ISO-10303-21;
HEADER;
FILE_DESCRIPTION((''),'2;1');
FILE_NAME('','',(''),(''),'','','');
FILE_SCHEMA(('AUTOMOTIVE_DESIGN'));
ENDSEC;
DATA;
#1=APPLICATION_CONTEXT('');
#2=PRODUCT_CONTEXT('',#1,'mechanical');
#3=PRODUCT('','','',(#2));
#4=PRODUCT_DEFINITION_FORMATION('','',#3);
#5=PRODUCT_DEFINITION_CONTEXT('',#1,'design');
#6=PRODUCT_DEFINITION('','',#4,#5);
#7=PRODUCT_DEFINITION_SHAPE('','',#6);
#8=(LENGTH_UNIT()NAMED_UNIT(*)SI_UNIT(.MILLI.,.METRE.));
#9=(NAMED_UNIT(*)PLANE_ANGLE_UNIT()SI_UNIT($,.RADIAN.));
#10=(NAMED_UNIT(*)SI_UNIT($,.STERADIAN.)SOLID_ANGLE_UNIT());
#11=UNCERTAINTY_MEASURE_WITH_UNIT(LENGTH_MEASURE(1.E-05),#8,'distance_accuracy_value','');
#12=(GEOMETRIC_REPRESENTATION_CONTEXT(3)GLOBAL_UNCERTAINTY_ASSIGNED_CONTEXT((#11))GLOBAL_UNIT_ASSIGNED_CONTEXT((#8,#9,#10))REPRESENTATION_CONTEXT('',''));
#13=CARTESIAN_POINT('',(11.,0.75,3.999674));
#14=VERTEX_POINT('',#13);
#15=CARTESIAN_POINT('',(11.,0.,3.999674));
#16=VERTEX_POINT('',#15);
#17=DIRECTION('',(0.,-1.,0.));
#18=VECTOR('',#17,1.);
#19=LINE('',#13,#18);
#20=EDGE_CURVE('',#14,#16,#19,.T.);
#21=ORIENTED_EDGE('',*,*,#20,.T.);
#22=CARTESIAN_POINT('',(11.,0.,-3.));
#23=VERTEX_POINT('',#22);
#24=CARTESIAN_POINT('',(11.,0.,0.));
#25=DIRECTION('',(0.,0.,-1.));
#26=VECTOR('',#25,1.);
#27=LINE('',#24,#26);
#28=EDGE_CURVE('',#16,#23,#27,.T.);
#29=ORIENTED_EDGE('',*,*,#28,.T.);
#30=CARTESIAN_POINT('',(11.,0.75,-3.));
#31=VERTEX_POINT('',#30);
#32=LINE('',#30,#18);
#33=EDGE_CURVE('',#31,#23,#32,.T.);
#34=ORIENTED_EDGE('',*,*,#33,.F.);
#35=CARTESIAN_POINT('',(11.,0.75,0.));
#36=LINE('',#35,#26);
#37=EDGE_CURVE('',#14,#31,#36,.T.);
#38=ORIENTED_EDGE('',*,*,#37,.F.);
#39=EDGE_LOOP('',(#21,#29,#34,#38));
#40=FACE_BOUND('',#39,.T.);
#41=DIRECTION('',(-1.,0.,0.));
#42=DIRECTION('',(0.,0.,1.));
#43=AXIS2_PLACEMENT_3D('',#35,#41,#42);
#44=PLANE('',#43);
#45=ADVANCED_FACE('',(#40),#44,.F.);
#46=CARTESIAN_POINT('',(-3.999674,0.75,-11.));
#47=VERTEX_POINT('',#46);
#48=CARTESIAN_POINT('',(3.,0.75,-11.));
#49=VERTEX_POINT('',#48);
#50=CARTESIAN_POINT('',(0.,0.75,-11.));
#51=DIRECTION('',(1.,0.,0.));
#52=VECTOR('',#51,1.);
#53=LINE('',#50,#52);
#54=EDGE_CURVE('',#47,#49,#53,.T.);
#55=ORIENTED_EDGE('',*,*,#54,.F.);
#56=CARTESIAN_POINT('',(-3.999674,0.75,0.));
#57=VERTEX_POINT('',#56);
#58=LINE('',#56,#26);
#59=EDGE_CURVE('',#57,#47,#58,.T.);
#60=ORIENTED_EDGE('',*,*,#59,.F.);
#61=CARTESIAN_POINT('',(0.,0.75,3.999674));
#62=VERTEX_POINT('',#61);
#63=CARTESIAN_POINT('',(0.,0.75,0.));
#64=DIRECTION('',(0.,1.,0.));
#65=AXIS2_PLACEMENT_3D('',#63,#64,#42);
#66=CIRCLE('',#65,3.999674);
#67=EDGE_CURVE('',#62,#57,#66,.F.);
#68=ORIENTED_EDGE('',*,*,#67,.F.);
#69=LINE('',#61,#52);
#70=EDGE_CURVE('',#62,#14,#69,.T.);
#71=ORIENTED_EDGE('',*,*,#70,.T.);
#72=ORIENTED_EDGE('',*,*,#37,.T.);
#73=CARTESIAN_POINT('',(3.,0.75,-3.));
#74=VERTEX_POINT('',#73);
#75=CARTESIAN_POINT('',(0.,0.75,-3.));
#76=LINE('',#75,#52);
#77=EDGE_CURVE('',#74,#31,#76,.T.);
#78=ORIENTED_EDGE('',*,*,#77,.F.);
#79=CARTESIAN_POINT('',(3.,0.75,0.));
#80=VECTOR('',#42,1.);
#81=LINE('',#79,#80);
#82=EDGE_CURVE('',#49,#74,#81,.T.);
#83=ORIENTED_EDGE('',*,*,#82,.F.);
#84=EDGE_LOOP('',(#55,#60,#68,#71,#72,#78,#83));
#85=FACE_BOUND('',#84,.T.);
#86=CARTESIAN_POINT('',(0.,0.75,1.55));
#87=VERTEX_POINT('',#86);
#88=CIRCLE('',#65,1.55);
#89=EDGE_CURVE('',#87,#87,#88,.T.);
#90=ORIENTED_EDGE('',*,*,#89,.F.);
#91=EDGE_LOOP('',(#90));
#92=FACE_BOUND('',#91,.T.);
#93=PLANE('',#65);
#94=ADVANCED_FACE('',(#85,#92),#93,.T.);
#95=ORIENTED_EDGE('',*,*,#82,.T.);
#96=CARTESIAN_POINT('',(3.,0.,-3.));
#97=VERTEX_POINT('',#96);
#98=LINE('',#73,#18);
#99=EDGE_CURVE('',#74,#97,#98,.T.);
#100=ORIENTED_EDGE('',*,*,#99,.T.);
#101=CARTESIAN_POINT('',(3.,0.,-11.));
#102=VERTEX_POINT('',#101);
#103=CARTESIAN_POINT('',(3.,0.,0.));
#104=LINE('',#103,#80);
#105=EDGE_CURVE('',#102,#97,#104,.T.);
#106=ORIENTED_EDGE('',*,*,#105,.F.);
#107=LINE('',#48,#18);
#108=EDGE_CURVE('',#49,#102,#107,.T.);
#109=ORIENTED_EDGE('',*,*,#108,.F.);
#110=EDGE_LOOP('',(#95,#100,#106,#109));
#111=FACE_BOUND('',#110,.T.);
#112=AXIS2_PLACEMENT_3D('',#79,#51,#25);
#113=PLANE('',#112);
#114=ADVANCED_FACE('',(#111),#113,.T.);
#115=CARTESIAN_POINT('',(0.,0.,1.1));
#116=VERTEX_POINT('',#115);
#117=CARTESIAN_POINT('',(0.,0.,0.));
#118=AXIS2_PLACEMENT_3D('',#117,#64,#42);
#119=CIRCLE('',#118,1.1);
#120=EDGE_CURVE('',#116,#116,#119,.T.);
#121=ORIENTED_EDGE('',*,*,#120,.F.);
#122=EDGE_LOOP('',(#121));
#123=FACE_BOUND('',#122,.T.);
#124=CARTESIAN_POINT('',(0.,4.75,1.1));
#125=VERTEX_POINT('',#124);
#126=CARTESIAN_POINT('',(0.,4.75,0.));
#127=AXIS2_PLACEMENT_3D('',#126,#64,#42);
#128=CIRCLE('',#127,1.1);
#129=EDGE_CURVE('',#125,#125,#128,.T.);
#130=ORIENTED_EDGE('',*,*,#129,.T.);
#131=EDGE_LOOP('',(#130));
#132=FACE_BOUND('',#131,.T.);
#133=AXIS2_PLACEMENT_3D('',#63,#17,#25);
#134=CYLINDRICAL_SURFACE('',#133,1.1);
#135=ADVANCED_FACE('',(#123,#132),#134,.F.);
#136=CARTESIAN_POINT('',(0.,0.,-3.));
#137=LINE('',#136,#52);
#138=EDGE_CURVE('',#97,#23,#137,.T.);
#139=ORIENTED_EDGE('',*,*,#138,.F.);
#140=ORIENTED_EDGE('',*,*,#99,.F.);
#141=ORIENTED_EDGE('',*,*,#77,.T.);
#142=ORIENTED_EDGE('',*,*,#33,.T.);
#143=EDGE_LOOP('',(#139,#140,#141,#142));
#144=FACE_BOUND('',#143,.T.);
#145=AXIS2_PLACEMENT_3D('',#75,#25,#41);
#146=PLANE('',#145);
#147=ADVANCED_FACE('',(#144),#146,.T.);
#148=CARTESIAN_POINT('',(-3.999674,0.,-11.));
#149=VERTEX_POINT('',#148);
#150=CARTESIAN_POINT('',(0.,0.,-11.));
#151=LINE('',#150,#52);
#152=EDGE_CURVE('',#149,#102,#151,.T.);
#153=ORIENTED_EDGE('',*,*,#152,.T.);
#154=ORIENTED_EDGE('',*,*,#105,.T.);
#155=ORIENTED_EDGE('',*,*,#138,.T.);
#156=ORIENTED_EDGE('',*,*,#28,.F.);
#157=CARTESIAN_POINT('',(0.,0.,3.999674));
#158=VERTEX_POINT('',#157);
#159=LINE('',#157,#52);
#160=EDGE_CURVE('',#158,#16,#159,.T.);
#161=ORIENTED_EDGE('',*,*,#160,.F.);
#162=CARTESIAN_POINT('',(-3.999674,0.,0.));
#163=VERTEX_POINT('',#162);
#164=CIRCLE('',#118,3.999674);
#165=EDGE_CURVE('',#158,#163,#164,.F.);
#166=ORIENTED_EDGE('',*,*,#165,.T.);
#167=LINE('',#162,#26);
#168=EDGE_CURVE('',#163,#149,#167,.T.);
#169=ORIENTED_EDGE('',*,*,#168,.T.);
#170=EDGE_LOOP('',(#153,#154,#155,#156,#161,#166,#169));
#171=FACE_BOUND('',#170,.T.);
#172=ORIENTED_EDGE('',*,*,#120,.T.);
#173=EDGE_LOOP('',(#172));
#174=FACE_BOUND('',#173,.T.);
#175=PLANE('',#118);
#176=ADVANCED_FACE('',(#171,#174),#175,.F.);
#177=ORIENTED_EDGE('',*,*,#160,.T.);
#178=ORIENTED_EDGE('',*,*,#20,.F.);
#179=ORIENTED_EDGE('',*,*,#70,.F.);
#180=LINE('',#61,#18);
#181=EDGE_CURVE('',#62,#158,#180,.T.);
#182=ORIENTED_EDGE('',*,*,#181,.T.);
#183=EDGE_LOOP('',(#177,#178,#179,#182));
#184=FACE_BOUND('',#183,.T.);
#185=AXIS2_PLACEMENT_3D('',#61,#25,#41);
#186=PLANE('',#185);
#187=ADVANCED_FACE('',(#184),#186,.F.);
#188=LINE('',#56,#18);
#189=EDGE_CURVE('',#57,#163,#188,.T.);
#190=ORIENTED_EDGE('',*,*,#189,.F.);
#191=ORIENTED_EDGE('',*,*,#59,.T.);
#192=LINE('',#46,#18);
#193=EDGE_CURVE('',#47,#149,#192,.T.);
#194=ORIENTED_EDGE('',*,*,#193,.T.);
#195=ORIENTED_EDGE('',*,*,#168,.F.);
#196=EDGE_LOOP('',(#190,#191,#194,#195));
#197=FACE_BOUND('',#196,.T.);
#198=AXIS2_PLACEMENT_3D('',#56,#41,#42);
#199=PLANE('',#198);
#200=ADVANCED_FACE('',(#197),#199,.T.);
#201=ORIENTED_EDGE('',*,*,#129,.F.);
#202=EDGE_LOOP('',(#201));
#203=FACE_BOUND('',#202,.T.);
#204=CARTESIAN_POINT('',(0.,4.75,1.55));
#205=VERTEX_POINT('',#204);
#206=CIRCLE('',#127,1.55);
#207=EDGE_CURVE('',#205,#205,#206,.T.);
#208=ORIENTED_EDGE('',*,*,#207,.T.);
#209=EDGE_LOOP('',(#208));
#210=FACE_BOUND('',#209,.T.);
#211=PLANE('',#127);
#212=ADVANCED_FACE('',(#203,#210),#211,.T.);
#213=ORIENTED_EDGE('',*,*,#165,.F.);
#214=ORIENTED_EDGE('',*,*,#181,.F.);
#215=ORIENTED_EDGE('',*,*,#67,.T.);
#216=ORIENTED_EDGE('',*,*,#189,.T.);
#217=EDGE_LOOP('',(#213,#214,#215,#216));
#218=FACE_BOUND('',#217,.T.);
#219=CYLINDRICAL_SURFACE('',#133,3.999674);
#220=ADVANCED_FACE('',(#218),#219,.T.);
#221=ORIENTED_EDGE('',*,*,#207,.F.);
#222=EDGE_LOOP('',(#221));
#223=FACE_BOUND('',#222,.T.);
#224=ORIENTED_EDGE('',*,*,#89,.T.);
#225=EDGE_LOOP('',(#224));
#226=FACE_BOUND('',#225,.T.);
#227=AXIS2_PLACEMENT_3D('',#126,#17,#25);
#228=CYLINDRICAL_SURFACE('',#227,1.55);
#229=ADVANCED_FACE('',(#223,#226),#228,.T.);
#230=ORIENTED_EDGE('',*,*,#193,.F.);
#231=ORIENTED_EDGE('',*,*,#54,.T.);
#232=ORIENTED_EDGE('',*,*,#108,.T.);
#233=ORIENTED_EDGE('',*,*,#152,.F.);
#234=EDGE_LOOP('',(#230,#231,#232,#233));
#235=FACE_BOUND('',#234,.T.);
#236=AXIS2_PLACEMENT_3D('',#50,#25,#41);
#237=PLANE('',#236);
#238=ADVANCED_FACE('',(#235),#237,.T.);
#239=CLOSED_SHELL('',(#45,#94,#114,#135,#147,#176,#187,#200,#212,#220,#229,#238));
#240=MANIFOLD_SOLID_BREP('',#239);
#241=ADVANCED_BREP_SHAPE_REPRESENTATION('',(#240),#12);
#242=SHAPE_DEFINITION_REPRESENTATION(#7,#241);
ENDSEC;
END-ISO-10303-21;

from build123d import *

# Parameters (mm, degrees)
SKETCH1_R           = 1.1
BOSS_EXTRUDE1_DEPTH = 0.75
SKETCH2_R           = 1.55
SKETCH2_R_2         = 1.1
BOSS_EXTRUDE2_DEPTH = 4


with BuildPart() as part:
    # Sketch1 → Boss-Extrude1 (new body)
    with BuildSketch(Plane(origin=(0, 0, 0), x_dir=(1, 0, 0), z_dir=(0, 1, 0))):
        with BuildLine():
            Line((11, -3.99967418), (11, 3))
            Line((11, 3), (3, 3))
            Line((3, 3), (3, 11))
            Line((3, 11), (-3.99967418, 11))
            Line((-3.99967418, 11), (-3.99967418, 0))
            ThreePointArc((-3.99967418, 0), (-2.828196736, -2.828196736), (0, -3.99967418))
            Line((0, -3.99967418), (11, -3.99967418))
        make_face()
        with Locations(Location((0, 0, 0), (0, 0, 270))):
            Circle(SKETCH1_R, mode=Mode.SUBTRACT)
    extrude(amount=BOSS_EXTRUDE1_DEPTH)

    # Sketch2 → Boss-Extrude2 (add)
    with BuildSketch(Plane(origin=(0, 0.75, 0), x_dir=(1, 0, 0), z_dir=(0, 1, 0))):
        with Locations(Location((0, 0, 0), (0, 0, 270))):
            Circle(SKETCH2_R)
        with Locations(Location((0, 0, 0), (0, 0, 270))):
            Circle(SKETCH2_R_2, mode=Mode.SUBTRACT)
    extrude(amount=BOSS_EXTRUDE2_DEPTH)


solid = part.part
